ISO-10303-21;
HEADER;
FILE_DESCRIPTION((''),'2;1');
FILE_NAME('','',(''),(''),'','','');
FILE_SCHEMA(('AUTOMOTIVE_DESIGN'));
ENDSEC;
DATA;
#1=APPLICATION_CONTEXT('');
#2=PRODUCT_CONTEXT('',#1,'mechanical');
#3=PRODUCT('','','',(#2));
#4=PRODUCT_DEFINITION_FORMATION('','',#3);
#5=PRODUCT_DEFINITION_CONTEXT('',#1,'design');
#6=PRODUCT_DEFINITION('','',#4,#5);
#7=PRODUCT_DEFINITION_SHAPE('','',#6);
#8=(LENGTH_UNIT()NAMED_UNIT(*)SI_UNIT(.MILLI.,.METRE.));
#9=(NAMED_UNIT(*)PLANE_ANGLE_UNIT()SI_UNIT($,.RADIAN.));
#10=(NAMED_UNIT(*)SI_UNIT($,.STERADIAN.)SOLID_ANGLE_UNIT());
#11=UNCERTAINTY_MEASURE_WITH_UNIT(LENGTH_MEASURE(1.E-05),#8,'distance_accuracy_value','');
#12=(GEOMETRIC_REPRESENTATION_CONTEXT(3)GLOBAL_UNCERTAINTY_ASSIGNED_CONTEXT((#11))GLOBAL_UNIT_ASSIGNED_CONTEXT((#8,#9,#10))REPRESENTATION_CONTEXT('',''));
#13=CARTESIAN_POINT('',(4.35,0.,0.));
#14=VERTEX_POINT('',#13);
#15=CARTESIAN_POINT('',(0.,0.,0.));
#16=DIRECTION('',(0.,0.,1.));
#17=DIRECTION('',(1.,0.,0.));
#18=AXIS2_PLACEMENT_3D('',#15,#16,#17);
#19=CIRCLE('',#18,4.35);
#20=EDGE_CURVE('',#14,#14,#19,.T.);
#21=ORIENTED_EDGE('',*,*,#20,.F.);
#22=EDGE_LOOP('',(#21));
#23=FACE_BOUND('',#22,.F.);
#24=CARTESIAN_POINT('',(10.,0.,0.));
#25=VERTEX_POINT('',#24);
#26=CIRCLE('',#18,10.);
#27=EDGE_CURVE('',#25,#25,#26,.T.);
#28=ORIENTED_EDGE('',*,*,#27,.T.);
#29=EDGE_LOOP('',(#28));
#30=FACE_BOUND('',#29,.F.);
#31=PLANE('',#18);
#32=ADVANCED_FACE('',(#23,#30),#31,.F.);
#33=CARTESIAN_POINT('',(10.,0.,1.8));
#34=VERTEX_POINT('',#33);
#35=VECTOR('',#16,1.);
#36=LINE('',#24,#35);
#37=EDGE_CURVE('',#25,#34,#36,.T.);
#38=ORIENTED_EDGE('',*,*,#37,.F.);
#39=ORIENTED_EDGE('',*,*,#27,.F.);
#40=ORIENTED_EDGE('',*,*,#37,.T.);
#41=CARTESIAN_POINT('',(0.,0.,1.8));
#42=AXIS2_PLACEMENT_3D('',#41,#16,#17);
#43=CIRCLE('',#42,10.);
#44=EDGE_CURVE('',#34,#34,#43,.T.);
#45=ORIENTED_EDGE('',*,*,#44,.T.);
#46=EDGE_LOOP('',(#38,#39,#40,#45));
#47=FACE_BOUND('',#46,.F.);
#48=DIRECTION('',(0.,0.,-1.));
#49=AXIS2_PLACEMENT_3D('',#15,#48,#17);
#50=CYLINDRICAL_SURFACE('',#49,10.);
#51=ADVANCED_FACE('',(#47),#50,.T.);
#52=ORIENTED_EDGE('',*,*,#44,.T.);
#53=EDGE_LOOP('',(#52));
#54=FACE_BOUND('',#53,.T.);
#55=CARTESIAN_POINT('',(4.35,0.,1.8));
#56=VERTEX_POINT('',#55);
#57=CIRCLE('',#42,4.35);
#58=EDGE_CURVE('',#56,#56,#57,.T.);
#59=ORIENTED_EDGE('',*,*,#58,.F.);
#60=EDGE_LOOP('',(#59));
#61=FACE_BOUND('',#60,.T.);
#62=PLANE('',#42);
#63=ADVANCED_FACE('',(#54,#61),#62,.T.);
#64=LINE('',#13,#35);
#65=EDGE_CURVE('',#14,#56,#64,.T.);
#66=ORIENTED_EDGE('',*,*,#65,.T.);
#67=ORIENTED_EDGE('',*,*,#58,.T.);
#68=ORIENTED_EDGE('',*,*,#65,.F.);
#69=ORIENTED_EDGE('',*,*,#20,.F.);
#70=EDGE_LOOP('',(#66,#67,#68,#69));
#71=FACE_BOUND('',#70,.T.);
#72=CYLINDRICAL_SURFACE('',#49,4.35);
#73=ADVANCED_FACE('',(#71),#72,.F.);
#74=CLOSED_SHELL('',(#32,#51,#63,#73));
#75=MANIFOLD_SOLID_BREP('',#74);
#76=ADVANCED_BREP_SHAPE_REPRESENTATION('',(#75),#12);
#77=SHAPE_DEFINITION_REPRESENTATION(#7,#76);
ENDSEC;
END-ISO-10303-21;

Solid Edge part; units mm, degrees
sketch "Sketch1" plane through (0, 0, 0) normal (0, 0, 1) x (1, 0, 0)
  circle A0 centre (0, 0) radius 10
  circle A1 centre (0, 0) radius 4.35
extrude "Protrusion1" add sketch "Sketch1" along normal blind 1.8
